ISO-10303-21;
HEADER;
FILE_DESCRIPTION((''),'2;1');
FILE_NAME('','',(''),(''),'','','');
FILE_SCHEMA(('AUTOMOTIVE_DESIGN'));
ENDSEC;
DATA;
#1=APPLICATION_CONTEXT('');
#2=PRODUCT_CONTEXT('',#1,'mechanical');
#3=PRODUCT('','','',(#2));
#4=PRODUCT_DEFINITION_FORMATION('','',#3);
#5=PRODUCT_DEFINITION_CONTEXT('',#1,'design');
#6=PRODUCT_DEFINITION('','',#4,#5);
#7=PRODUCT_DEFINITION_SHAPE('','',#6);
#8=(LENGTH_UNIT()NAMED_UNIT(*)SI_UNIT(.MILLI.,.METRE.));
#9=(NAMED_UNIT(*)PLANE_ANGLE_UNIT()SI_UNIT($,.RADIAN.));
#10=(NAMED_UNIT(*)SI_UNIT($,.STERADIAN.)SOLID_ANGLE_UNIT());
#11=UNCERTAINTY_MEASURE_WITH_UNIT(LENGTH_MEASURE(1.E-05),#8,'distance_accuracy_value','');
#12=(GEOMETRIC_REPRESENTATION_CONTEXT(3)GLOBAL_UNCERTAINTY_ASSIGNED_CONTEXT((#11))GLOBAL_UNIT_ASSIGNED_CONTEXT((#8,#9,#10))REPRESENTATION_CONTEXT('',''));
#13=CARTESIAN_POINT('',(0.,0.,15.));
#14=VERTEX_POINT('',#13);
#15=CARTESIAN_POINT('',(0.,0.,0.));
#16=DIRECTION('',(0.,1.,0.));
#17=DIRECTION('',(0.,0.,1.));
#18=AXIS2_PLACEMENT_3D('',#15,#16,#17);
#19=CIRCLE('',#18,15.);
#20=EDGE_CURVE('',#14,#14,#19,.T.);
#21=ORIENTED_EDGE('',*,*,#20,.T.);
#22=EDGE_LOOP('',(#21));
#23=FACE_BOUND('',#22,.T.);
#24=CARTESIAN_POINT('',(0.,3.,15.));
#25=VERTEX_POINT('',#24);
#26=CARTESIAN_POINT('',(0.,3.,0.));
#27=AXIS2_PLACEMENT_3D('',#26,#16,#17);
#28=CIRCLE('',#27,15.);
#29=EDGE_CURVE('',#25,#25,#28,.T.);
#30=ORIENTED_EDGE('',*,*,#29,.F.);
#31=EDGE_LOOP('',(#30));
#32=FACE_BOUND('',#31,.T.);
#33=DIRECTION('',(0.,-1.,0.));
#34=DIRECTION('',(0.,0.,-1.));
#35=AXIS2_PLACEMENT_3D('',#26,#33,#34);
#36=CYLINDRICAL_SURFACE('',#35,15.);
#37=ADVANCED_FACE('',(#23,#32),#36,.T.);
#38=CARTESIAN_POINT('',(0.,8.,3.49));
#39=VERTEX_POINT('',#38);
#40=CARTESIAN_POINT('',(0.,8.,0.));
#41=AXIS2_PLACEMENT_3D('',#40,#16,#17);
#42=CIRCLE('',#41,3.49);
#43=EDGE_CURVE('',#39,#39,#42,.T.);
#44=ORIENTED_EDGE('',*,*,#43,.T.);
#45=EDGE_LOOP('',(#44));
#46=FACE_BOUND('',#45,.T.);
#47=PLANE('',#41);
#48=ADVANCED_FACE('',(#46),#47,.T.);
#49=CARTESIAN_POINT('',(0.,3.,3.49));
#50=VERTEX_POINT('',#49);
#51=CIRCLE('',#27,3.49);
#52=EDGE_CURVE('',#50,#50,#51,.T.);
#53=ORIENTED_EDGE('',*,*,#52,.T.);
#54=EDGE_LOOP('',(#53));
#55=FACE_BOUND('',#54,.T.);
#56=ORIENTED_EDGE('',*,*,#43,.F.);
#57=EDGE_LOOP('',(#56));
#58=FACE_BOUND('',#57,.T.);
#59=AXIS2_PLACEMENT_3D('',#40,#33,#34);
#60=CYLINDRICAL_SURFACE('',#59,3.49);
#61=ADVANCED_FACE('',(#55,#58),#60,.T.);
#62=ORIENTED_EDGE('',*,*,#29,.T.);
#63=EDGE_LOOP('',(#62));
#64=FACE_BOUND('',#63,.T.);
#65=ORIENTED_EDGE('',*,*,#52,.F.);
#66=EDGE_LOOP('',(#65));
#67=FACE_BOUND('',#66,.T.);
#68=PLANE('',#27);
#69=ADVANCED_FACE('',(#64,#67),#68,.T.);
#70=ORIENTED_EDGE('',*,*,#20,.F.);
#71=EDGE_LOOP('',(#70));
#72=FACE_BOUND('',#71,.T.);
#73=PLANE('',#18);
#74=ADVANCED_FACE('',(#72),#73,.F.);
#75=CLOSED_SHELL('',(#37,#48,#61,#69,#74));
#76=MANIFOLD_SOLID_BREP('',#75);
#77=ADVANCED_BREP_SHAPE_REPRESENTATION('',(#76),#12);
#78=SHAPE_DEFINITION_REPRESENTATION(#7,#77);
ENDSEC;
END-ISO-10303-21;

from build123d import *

# Parameters (mm, degrees)
SKETCH1_R           = 15
BOSS_EXTRUDE1_DEPTH = 3
SKETCH2_R           = 3.49
BOSS_EXTRUDE2_DEPTH = 5


with BuildPart() as part:
    # Sketch1 → Boss-Extrude1 (new body)
    with BuildSketch(Plane(origin=(0, 0, 0), x_dir=(1, 0, 0), z_dir=(0, 1, 0))):
        Circle(SKETCH1_R)
    extrude(amount=BOSS_EXTRUDE1_DEPTH)

    # Sketch2 → Boss-Extrude2 (add)
    with BuildSketch(Plane(origin=(0, 3, 0), x_dir=(1, 0, 0), z_dir=(0, 1, 0))):
        Circle(SKETCH2_R)
    extrude(amount=BOSS_EXTRUDE2_DEPTH)


solid = part.part
